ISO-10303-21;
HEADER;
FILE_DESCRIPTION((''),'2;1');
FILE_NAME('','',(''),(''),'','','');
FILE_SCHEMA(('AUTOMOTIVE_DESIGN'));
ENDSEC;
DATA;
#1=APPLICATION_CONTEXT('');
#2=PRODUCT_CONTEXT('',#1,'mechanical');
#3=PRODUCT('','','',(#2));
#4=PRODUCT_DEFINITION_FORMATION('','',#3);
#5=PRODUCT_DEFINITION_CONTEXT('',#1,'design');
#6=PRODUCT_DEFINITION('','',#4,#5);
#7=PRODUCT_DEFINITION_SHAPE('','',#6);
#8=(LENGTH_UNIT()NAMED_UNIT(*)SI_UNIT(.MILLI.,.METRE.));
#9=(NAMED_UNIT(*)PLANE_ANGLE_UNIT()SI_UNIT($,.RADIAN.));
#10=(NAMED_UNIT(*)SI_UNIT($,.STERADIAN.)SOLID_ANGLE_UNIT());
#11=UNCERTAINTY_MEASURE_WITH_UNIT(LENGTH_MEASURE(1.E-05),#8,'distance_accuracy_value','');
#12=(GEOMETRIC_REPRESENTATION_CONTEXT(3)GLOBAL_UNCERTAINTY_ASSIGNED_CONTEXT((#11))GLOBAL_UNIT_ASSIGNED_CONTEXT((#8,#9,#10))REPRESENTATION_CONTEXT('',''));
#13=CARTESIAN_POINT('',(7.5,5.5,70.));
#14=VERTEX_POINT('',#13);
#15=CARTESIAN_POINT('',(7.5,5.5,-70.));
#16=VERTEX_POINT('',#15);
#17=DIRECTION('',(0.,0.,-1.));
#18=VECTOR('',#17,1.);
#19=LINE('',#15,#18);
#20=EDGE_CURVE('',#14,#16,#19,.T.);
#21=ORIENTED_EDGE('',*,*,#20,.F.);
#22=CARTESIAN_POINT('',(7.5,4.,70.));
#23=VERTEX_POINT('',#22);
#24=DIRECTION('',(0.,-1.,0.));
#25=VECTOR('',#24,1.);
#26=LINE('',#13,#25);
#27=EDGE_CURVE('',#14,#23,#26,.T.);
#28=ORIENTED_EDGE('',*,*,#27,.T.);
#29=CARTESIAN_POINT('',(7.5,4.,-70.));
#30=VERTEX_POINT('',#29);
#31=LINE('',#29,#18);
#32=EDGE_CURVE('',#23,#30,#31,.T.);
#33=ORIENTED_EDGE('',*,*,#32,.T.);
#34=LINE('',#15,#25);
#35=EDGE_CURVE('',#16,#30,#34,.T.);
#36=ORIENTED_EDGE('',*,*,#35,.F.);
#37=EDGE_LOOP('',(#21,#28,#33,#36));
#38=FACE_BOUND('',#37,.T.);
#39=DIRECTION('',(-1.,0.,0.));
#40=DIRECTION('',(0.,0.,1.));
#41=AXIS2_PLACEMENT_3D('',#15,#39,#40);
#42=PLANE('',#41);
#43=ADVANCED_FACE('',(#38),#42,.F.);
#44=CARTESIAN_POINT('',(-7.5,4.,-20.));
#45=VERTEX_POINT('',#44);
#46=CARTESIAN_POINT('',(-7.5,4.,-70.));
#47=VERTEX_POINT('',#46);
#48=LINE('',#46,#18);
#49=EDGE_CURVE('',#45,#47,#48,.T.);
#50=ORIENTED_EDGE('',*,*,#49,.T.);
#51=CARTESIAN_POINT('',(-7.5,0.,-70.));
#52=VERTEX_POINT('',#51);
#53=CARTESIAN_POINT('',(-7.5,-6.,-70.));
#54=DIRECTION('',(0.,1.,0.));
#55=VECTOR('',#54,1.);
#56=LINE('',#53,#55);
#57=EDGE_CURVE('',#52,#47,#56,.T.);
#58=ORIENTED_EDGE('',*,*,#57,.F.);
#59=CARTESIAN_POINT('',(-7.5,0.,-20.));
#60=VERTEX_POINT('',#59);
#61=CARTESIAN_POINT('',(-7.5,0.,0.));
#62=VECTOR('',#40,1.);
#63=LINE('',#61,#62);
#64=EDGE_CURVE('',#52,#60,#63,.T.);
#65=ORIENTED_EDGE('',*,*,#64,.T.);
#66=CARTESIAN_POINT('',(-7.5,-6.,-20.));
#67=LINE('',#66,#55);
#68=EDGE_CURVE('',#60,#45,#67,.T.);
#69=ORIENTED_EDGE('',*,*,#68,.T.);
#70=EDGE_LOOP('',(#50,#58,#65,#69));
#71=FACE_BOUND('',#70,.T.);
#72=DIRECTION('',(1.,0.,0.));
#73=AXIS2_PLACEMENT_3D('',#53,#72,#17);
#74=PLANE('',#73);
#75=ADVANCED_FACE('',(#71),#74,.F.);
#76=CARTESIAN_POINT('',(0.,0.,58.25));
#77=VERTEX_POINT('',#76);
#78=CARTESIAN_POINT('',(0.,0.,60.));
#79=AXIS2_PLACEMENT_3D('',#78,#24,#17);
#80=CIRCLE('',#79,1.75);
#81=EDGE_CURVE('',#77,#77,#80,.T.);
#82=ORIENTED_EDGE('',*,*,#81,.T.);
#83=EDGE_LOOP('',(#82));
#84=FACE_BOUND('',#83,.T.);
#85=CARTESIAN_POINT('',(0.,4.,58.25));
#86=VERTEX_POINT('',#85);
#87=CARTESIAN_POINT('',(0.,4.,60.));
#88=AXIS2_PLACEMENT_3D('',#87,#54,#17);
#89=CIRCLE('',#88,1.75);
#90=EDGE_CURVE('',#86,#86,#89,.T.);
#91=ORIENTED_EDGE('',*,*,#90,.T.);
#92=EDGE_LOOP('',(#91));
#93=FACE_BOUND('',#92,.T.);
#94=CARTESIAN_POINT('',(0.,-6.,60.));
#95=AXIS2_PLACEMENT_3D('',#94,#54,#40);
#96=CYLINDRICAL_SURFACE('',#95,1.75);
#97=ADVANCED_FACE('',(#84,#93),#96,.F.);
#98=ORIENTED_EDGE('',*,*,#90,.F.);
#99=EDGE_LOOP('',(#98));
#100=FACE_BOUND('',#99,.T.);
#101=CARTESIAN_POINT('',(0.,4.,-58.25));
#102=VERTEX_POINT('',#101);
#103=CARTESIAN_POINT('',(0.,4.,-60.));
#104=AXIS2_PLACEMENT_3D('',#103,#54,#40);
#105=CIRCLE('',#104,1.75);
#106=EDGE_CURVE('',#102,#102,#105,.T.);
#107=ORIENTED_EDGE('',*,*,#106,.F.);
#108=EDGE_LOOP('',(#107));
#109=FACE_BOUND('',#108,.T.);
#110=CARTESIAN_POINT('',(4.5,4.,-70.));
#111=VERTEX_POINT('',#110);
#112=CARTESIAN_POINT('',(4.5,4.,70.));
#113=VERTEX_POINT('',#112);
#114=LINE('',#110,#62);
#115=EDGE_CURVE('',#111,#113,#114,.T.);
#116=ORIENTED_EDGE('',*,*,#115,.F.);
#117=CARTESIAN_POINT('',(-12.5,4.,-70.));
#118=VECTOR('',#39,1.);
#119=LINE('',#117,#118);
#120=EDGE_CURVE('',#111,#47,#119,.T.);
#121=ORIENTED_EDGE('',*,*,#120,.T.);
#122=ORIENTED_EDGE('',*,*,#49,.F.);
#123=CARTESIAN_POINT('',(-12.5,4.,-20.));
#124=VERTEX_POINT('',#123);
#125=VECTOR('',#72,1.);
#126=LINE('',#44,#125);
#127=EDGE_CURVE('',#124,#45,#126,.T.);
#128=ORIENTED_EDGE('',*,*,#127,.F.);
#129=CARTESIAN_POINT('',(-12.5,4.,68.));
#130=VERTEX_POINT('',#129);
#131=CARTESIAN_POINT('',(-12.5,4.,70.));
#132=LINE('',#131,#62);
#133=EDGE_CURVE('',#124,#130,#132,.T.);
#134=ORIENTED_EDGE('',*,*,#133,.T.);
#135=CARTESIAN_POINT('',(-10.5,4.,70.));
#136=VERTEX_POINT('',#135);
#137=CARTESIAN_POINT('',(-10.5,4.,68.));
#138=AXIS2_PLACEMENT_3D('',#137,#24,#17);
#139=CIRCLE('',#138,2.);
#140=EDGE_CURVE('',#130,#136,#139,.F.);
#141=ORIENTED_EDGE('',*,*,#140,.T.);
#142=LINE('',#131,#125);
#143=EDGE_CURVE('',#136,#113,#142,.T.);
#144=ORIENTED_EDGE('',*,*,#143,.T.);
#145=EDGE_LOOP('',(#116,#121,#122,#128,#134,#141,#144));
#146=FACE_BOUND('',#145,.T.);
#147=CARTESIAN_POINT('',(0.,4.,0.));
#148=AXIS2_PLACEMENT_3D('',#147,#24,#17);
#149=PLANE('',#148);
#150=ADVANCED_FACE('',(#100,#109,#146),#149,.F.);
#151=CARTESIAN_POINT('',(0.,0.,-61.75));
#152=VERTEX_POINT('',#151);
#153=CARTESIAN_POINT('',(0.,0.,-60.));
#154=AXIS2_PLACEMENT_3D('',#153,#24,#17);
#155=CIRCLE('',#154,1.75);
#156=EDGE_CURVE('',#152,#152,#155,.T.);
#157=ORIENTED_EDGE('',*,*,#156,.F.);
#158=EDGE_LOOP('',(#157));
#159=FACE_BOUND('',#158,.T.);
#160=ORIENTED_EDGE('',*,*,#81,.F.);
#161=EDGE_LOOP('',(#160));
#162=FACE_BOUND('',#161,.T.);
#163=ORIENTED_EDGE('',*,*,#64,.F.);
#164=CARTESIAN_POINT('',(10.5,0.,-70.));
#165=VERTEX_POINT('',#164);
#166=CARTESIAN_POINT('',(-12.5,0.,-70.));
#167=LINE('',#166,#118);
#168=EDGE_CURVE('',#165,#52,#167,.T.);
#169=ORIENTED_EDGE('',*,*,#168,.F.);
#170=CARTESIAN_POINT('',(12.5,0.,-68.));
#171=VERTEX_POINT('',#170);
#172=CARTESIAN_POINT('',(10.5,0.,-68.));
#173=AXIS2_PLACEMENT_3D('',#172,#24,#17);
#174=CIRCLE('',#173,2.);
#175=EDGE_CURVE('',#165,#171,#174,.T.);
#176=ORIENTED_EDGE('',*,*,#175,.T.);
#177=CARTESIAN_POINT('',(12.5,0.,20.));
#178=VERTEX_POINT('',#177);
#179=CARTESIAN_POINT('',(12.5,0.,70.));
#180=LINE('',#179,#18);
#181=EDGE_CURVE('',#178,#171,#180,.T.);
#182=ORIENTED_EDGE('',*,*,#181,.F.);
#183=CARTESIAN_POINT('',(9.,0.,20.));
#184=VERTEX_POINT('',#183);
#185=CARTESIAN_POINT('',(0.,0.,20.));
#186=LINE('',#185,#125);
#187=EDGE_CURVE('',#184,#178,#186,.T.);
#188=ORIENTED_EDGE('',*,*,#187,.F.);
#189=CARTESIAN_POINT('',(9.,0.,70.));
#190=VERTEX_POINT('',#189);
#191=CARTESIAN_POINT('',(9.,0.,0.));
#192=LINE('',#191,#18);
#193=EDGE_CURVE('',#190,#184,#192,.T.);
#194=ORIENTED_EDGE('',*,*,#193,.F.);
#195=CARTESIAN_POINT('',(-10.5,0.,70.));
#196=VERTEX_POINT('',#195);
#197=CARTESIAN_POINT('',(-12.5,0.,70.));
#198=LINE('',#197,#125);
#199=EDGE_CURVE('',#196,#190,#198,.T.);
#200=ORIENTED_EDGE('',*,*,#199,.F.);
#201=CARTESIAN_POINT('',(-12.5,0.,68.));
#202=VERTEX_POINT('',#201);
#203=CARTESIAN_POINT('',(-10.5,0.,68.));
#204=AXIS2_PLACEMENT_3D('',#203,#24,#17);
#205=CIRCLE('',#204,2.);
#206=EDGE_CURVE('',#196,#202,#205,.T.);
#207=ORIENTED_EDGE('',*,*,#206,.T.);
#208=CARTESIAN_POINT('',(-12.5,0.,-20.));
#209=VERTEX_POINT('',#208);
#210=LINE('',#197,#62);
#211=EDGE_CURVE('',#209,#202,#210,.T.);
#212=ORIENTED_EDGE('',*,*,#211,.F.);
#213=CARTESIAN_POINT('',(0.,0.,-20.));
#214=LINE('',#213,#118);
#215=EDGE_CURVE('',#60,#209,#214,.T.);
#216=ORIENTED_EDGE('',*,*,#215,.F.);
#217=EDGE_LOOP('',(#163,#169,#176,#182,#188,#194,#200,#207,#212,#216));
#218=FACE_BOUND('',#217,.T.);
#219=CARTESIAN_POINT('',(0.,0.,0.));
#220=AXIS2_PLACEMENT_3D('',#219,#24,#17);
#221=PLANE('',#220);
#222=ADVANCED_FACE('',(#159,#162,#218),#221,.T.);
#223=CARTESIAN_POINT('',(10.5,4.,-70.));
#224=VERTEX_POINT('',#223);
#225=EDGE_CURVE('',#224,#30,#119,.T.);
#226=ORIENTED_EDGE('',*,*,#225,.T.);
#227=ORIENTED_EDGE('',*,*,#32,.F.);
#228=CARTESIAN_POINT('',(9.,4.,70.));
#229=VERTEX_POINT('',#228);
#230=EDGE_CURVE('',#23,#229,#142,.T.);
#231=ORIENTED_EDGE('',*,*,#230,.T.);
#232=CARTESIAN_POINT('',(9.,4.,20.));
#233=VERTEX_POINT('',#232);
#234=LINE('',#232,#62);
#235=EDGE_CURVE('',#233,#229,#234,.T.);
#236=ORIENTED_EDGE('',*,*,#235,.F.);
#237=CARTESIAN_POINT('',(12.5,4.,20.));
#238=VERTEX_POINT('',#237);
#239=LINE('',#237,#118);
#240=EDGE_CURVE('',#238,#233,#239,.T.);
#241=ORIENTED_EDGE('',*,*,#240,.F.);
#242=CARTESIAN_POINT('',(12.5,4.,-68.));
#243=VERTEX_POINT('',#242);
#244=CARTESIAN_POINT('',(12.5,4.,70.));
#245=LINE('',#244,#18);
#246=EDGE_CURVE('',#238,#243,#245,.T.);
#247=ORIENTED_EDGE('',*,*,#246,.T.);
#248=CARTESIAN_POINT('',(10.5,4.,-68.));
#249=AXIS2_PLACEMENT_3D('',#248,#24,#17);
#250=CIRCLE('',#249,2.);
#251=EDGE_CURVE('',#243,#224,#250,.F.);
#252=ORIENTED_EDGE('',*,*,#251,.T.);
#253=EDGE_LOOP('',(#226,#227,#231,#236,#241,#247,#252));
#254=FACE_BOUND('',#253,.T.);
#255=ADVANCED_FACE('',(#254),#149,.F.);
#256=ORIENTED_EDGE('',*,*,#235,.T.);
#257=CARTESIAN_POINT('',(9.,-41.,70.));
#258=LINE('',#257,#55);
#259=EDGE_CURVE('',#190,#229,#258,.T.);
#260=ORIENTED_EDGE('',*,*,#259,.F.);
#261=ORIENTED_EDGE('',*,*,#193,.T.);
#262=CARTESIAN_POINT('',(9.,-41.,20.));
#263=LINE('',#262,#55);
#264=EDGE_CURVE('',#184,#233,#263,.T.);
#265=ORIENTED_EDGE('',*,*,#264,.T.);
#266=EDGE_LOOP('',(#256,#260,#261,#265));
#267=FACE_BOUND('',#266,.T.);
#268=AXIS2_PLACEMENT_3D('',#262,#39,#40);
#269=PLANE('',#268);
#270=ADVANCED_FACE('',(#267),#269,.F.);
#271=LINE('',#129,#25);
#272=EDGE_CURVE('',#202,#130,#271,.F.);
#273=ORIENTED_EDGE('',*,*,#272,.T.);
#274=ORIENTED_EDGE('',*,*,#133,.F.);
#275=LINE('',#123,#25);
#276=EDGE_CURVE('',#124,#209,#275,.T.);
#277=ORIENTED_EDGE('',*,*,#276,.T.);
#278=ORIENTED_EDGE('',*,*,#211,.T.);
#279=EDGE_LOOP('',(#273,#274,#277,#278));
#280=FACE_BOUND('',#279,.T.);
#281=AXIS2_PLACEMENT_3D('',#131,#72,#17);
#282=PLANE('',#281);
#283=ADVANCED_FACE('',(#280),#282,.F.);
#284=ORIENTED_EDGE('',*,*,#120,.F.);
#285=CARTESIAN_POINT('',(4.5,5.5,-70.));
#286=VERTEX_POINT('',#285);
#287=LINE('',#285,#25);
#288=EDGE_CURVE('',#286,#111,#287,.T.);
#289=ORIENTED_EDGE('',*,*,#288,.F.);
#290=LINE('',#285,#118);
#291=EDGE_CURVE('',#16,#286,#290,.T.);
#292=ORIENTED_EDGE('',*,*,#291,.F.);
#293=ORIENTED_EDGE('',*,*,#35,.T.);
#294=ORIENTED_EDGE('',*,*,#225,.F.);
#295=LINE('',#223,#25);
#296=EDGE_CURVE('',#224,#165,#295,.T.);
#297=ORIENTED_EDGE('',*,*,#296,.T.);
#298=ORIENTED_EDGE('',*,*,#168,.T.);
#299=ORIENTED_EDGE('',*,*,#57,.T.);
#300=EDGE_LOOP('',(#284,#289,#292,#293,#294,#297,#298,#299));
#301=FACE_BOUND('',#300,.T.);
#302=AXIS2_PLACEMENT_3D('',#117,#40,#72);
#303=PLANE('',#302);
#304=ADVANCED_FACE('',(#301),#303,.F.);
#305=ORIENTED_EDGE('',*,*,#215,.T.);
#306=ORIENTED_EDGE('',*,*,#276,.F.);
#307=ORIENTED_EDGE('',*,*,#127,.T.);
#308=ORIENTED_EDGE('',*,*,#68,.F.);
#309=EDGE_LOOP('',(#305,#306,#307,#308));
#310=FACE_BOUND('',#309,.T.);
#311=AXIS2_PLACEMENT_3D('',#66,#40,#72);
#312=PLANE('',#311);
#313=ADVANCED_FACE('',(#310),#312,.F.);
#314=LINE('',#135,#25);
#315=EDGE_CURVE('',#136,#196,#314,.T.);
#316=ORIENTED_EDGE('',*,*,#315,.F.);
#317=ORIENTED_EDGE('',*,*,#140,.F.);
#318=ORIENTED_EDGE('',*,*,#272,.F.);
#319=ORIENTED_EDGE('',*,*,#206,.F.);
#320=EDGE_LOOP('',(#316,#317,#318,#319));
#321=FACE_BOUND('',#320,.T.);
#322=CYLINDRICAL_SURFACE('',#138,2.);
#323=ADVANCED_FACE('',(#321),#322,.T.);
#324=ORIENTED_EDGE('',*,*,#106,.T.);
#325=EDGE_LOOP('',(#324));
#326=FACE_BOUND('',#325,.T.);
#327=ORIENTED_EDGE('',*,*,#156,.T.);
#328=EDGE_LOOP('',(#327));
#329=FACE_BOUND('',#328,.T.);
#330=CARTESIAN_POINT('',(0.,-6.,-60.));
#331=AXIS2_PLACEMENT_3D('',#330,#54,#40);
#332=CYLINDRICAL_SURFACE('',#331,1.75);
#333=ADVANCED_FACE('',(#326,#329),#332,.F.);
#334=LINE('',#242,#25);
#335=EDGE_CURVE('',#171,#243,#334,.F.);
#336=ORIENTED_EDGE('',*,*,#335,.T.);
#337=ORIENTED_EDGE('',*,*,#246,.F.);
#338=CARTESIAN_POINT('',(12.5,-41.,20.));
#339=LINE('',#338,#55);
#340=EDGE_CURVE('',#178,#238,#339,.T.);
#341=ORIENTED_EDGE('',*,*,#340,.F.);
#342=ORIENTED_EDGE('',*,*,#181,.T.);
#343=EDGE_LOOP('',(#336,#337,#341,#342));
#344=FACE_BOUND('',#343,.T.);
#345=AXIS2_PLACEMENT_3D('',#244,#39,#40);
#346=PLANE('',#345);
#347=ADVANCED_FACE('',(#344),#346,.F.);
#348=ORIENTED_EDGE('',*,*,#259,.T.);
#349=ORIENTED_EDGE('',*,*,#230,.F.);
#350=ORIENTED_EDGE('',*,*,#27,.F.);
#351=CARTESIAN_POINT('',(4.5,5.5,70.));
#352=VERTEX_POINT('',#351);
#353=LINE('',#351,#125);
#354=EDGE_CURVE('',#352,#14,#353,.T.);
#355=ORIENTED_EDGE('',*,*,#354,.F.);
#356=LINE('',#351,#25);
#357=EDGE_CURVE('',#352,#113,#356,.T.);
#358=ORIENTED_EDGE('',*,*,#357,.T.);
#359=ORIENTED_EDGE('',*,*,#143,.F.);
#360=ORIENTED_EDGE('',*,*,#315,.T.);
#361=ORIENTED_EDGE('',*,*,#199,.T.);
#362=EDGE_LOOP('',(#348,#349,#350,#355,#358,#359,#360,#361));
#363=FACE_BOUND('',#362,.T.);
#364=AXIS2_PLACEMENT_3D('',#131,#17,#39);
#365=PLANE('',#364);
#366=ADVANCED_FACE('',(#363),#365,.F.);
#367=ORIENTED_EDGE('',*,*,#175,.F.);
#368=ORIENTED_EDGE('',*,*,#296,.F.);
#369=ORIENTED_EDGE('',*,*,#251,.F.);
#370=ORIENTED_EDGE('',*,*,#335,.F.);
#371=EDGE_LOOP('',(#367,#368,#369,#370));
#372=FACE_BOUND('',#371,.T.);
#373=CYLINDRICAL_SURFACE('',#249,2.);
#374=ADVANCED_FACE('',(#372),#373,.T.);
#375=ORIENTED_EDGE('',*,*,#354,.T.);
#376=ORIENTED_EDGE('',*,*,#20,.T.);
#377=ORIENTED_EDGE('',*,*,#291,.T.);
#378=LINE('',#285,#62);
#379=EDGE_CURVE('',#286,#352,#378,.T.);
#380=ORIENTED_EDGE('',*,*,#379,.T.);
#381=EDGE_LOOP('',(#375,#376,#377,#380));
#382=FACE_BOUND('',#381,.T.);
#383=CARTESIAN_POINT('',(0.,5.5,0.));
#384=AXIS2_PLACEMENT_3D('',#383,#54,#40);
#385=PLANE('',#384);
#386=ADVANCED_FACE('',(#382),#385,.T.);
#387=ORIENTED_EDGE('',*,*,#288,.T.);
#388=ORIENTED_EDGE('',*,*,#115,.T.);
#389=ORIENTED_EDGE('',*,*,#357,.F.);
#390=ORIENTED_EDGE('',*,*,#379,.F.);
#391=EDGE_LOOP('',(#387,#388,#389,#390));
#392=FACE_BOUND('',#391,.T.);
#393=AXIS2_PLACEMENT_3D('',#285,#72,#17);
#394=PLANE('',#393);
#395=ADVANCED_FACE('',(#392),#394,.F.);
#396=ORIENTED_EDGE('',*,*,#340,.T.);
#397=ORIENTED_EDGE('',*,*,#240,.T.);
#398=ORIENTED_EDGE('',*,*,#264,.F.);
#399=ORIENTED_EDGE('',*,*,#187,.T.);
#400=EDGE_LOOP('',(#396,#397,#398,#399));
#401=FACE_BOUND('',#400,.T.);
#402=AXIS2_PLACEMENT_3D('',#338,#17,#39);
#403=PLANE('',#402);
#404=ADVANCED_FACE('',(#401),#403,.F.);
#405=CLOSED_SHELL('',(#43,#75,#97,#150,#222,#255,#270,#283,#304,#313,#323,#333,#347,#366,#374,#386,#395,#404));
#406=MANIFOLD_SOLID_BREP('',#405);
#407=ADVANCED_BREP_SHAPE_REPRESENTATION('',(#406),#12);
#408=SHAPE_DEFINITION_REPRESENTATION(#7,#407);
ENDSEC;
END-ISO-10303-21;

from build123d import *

# Parameters (mm, degrees)
SKETCH_1_W          = 25
SKETCH_1_H          = 140
EXTRUDE_1_DEPTH     = 4
FILLET_1_R          = 2
SKETCH_4_R          = 1.75
CUT_EXTRUDE_1_DEPTH = 10
SKETCH_6_W          = 3
SKETCH_6_H          = 140
EXTRUDE_3_DEPTH     = 1.5
SKETCH_7_W          = 20.611875048
SKETCH_7_H          = 50
CUT_EXTRUDE_2_DEPTH = 10
SKETCH_8_W          = 3.5
SKETCH_8_H          = 50
CUT_EXTRUDE_3_DEPTH = 45


with BuildPart() as part:
    # 草图1 → 凸台-拉伸1 (new body)
    with BuildSketch(Plane(origin=(0, 0, 0), x_dir=(1, 0, 0), z_dir=(0, 1, 0))):
        Rectangle(SKETCH_1_W, SKETCH_1_H)
    extrude(amount=EXTRUDE_1_DEPTH)

    # 圆角1
    fillet_1_edges = [part.edges().sort_by_distance(p)[0] for p in [
        (12.5, 2, 70),
        (-12.5, 2, 70),
        (-12.5, 2, -70),
        (12.5, 2, -70),
    ]]
    fillet(fillet_1_edges, radius=FILLET_1_R)

    # 草图4 → 切除-拉伸1 (cut)
    with BuildSketch(Plane(origin=(0, 4, 0), x_dir=(1, 0, 0), z_dir=(0, 1, 0))):
        with Locations(Location((0, 60, 0), (0, 0, 270))):
            Circle(SKETCH_4_R)
        with Locations(Location((0, -60, 0), (0, 0, 90))):
            Circle(SKETCH_4_R)
    extrude(amount=-CUT_EXTRUDE_1_DEPTH, mode=Mode.SUBTRACT)

    # 草图6 → 凸台-拉伸3 (add)
    with BuildSketch(Plane(origin=(0, 4, 0), x_dir=(1, 0, 0), z_dir=(0, 1, 0))):
        with Locations((6, 0)):
            Rectangle(SKETCH_6_W, SKETCH_6_H)
    extrude(amount=EXTRUDE_3_DEPTH)

    # 草图7 → 切除-拉伸2 (cut)
    with BuildSketch(Plane(origin=(0, 4, 0), x_dir=(1, 0, 0), z_dir=(0, 1, 0))):
        with Locations((-17.805937524, 45)):
            Rectangle(SKETCH_7_W, SKETCH_7_H)
    extrude(amount=-CUT_EXTRUDE_2_DEPTH, mode=Mode.SUBTRACT)

    # 草图8 → 切除-拉伸3 (cut)
    with BuildSketch(Plane(origin=(0, 4, 0), x_dir=(1, 0, 0), z_dir=(0, 1, 0))):
        with Locations((10.75, -45)):
            Rectangle(SKETCH_8_W, SKETCH_8_H)
    extrude(amount=-CUT_EXTRUDE_3_DEPTH, mode=Mode.SUBTRACT)


solid = part.part
